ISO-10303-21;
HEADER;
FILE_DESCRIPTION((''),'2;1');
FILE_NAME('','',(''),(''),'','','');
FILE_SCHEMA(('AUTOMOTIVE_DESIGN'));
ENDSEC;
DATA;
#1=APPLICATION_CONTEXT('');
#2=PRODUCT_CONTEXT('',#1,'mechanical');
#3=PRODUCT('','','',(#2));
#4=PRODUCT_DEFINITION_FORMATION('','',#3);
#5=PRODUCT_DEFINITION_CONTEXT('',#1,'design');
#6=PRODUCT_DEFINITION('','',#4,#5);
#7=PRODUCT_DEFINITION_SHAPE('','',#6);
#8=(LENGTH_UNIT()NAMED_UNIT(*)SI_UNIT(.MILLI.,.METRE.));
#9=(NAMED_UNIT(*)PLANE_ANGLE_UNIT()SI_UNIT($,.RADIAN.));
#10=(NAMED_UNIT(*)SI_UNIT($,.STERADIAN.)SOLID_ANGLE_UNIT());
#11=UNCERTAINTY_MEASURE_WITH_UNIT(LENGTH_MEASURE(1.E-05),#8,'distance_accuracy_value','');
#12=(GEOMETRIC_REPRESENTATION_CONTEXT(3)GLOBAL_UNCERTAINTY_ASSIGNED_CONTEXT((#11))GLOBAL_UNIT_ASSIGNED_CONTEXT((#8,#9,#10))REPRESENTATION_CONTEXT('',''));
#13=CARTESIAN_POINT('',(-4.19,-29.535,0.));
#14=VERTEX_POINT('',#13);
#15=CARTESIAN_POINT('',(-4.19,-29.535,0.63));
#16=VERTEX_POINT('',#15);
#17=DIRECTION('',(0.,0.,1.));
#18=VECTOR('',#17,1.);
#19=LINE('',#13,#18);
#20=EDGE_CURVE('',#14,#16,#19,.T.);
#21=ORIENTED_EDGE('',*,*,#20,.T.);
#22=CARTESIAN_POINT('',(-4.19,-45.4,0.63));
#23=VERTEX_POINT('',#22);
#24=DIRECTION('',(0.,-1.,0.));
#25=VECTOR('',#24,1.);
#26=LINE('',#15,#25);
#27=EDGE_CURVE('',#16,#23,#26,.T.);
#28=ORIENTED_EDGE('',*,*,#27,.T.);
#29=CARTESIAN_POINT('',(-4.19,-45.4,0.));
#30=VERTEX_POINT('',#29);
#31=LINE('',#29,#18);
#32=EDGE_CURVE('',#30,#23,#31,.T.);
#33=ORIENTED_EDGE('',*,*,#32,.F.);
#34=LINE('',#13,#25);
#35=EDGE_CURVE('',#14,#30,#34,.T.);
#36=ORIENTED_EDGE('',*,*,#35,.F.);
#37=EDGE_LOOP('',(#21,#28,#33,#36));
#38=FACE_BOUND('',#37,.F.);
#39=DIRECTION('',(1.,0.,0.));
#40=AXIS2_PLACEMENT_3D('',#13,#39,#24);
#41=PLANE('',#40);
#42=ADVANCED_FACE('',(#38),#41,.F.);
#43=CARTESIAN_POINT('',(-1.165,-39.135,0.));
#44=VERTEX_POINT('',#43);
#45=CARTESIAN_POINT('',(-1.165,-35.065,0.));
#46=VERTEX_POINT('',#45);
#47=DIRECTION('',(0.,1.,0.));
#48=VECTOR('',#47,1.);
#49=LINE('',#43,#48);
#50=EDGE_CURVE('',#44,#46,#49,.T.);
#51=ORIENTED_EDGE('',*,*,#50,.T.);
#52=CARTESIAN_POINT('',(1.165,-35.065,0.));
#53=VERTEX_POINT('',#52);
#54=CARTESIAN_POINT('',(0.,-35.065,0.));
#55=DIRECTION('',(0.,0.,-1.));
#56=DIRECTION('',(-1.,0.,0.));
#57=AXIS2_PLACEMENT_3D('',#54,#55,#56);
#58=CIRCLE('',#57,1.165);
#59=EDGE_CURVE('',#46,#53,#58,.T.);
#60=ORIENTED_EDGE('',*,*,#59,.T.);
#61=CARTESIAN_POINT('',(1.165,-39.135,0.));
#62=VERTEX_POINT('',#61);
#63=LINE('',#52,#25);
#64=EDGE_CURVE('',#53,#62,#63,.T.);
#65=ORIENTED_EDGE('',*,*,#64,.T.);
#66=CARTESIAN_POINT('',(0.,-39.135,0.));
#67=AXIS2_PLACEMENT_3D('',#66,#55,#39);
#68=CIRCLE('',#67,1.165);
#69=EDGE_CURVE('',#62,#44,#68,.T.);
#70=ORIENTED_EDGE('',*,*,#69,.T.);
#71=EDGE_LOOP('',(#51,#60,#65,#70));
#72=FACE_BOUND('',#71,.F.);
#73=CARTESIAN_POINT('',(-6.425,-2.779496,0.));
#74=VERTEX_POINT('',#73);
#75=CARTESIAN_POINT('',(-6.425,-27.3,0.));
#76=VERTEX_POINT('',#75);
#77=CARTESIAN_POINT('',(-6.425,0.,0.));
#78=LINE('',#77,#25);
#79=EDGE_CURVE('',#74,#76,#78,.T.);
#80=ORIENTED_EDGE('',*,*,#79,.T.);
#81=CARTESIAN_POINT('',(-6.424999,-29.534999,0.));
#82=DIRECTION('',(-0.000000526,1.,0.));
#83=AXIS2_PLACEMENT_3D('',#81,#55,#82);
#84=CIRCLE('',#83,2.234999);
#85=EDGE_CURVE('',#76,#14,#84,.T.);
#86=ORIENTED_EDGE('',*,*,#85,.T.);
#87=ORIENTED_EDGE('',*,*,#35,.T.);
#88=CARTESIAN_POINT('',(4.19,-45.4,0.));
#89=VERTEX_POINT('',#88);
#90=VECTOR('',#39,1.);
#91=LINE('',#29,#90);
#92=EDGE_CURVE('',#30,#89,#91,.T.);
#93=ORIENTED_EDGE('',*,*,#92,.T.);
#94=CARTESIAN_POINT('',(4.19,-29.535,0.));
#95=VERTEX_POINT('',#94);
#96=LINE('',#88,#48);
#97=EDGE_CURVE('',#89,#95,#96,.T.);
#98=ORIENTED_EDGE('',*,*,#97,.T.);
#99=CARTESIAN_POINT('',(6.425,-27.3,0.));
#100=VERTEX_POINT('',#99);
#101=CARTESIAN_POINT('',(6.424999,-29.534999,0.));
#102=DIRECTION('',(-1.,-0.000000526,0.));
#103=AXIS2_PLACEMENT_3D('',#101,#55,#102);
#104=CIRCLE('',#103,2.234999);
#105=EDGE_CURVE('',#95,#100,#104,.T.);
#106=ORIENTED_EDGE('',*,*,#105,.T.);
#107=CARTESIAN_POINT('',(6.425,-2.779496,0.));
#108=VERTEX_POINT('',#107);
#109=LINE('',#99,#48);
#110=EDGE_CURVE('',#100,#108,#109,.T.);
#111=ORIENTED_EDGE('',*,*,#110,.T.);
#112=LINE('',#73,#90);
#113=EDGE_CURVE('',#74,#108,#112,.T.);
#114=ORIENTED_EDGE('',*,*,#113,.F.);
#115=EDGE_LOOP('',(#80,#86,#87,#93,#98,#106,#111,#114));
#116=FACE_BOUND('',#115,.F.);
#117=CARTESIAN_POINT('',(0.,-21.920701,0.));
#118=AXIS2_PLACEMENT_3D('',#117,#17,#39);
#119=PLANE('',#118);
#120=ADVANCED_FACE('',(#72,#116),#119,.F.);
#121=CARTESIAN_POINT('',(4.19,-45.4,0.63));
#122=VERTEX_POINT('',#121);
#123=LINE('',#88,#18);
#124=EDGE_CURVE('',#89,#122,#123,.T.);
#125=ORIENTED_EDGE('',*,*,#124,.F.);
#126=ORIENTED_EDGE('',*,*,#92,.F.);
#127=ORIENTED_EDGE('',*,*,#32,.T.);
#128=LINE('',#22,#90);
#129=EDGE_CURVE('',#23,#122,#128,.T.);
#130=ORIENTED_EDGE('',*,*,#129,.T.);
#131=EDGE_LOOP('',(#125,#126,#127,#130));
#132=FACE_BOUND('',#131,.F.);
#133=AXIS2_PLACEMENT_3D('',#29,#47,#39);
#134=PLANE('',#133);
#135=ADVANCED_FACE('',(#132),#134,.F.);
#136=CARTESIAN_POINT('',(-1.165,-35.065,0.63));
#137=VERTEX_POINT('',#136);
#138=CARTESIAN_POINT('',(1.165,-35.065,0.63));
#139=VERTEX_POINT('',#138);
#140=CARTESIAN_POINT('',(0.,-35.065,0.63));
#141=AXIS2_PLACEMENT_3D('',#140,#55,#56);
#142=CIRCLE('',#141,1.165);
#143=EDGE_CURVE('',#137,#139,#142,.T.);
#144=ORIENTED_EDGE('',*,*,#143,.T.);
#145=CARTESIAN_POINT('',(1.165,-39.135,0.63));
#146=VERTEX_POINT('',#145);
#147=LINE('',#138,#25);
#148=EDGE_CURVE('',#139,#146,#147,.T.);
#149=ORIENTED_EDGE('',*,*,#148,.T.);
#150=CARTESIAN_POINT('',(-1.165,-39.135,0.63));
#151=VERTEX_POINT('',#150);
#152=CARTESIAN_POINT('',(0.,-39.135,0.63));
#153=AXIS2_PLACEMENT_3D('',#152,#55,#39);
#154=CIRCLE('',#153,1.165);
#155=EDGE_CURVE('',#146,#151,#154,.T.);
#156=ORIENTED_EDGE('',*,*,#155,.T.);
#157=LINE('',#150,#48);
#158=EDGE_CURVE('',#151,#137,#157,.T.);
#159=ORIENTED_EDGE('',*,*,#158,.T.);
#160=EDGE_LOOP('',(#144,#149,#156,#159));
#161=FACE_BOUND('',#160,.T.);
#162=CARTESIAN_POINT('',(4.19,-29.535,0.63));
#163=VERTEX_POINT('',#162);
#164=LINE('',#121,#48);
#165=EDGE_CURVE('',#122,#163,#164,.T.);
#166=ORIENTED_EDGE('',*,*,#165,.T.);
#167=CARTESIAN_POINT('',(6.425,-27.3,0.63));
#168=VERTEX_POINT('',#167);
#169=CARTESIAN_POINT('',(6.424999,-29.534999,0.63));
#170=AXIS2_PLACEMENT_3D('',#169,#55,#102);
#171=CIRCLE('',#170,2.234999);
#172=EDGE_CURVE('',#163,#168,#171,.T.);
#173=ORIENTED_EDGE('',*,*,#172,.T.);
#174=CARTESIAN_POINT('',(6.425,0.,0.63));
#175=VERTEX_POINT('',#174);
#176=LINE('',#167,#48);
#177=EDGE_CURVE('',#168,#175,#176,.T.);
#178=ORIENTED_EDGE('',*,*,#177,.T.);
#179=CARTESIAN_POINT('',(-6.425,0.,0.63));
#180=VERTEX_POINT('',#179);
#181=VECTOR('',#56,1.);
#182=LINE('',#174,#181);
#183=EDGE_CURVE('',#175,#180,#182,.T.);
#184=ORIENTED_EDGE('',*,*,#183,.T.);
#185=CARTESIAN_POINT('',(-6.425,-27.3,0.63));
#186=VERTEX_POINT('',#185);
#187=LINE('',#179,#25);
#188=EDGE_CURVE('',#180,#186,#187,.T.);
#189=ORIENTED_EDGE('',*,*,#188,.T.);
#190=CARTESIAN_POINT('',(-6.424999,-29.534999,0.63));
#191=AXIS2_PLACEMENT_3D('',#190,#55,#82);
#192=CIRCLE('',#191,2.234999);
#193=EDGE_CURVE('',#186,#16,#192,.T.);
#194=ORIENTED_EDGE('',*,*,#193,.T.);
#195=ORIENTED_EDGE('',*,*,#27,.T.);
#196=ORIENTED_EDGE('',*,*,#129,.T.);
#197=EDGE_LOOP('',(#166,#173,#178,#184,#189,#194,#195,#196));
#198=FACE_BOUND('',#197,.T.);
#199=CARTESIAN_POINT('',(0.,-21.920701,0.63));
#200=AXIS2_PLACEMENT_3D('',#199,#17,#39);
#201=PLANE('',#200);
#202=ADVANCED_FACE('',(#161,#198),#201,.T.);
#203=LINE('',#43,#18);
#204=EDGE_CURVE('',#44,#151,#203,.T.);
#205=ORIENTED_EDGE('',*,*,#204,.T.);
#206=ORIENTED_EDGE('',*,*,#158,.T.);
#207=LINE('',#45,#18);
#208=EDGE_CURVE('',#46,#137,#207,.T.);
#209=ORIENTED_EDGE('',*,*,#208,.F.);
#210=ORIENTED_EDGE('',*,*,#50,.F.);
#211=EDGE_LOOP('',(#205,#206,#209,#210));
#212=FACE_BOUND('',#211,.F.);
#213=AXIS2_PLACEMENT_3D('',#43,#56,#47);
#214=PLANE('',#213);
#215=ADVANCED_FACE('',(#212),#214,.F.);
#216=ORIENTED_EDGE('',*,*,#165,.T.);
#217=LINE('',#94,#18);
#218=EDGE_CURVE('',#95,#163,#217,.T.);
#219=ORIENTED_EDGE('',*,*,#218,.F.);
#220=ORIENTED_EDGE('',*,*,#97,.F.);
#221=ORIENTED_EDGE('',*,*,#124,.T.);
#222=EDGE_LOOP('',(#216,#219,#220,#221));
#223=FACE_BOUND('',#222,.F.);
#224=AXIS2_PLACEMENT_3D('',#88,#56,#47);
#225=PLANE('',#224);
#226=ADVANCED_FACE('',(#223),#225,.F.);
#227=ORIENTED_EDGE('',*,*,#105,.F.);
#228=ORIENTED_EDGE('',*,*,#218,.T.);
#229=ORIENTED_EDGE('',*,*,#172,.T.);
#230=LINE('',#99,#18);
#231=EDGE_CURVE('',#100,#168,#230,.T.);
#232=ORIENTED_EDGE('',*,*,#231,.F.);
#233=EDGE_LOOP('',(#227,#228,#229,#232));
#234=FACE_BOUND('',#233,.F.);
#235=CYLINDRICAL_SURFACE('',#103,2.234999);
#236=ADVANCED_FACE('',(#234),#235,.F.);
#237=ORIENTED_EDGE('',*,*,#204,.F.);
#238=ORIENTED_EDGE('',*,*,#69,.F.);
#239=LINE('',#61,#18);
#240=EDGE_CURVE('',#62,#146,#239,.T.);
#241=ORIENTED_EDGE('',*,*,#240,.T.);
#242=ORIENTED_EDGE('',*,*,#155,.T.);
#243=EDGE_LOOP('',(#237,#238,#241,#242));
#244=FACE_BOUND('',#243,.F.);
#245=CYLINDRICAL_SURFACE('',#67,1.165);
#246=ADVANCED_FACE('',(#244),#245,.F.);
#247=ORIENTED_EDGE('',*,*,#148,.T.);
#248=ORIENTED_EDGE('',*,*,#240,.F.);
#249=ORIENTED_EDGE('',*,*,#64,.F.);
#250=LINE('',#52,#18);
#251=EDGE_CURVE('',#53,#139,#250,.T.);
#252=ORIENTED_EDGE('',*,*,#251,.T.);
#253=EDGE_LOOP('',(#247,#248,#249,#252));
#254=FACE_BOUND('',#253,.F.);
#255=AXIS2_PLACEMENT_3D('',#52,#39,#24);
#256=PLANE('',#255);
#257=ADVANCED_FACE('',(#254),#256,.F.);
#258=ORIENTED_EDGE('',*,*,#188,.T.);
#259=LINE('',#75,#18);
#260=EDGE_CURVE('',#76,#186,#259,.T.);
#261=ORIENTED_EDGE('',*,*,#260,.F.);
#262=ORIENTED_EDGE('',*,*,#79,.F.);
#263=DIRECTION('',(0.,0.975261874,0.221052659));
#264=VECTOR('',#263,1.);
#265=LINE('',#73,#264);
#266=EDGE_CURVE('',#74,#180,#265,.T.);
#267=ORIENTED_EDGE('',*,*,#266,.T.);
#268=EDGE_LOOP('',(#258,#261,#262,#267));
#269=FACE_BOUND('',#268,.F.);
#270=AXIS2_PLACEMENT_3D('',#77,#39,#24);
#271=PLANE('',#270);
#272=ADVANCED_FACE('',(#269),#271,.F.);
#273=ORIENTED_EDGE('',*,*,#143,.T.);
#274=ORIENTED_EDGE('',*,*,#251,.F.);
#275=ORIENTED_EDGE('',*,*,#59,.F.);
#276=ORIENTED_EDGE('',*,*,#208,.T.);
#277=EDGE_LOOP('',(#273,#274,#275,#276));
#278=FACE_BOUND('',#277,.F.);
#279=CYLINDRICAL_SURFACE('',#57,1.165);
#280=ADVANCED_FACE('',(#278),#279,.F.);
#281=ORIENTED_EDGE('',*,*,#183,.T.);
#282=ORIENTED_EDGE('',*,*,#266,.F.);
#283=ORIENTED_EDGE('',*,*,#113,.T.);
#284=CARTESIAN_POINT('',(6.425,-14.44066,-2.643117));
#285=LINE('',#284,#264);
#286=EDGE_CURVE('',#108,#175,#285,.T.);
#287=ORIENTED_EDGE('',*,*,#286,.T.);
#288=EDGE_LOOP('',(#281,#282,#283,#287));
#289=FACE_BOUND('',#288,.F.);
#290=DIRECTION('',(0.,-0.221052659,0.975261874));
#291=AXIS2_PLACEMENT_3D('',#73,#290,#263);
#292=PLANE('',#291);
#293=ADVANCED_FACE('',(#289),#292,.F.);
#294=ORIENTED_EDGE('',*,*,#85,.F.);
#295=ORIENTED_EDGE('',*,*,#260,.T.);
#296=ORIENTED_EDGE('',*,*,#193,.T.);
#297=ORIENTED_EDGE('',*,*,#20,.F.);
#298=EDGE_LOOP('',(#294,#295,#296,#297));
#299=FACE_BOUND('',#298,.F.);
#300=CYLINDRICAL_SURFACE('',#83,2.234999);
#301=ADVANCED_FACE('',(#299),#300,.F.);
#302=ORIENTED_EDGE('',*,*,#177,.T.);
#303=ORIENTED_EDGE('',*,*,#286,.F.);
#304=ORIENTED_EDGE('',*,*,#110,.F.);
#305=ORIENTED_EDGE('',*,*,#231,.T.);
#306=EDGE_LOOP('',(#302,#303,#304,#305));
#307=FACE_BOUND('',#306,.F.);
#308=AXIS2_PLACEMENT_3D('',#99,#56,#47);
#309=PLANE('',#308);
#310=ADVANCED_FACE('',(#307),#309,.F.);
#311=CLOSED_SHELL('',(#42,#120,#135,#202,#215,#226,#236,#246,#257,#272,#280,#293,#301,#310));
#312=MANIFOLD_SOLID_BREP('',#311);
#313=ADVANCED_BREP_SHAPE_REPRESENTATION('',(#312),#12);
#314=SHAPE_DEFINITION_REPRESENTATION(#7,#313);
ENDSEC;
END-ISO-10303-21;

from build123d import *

# Parameters (mm, degrees)
F1_DEPTH = 0.63
F3_DEPTH = 12.851


with BuildPart() as f1:
    # F0 (on Top) → F1 (new body)
    with BuildSketch(Plane.XY):
        with BuildLine():
            Line((6.425, 0), (-6.425, 0))
            Line((-6.425, 0), (-6.425, -27.3))
            ThreePointArc((-6.425, -27.3), (-4.844616, -27.954616), (-4.19, -29.535))
            Line((-4.19, -29.535), (-4.19, -45.4))
            Line((-4.19, -45.4), (4.19, -45.4))
            Line((4.19, -45.4), (4.19, -29.535))
            ThreePointArc((4.19, -29.535), (4.844616, -27.954616), (6.425, -27.3))
            Line((6.425, -27.3), (6.425, 0))
        make_face()
        with BuildLine():
            Line((1.165, -35.065), (1.165, -39.135))
            ThreePointArc((1.165, -39.135), (0, -40.3), (-1.165, -39.135))
            Line((-1.165, -39.135), (-1.165, -35.065))
            ThreePointArc((-1.165, -35.065), (0, -33.9), (1.165, -35.065))
        make_face(mode=Mode.SUBTRACT)
    extrude(amount=F1_DEPTH)

    # F2 (on face) → F3 (cut, through all)
    with BuildSketch(Plane(origin=(-6.425, 0, 0), x_dir=(0, -1, 0), z_dir=(-1, 0, 0))):
        Polygon((0, 0.63), (0, 0), (2.779496, 0), align=None)
    extrude(amount=-F3_DEPTH, mode=Mode.SUBTRACT)


solid = f1.part
